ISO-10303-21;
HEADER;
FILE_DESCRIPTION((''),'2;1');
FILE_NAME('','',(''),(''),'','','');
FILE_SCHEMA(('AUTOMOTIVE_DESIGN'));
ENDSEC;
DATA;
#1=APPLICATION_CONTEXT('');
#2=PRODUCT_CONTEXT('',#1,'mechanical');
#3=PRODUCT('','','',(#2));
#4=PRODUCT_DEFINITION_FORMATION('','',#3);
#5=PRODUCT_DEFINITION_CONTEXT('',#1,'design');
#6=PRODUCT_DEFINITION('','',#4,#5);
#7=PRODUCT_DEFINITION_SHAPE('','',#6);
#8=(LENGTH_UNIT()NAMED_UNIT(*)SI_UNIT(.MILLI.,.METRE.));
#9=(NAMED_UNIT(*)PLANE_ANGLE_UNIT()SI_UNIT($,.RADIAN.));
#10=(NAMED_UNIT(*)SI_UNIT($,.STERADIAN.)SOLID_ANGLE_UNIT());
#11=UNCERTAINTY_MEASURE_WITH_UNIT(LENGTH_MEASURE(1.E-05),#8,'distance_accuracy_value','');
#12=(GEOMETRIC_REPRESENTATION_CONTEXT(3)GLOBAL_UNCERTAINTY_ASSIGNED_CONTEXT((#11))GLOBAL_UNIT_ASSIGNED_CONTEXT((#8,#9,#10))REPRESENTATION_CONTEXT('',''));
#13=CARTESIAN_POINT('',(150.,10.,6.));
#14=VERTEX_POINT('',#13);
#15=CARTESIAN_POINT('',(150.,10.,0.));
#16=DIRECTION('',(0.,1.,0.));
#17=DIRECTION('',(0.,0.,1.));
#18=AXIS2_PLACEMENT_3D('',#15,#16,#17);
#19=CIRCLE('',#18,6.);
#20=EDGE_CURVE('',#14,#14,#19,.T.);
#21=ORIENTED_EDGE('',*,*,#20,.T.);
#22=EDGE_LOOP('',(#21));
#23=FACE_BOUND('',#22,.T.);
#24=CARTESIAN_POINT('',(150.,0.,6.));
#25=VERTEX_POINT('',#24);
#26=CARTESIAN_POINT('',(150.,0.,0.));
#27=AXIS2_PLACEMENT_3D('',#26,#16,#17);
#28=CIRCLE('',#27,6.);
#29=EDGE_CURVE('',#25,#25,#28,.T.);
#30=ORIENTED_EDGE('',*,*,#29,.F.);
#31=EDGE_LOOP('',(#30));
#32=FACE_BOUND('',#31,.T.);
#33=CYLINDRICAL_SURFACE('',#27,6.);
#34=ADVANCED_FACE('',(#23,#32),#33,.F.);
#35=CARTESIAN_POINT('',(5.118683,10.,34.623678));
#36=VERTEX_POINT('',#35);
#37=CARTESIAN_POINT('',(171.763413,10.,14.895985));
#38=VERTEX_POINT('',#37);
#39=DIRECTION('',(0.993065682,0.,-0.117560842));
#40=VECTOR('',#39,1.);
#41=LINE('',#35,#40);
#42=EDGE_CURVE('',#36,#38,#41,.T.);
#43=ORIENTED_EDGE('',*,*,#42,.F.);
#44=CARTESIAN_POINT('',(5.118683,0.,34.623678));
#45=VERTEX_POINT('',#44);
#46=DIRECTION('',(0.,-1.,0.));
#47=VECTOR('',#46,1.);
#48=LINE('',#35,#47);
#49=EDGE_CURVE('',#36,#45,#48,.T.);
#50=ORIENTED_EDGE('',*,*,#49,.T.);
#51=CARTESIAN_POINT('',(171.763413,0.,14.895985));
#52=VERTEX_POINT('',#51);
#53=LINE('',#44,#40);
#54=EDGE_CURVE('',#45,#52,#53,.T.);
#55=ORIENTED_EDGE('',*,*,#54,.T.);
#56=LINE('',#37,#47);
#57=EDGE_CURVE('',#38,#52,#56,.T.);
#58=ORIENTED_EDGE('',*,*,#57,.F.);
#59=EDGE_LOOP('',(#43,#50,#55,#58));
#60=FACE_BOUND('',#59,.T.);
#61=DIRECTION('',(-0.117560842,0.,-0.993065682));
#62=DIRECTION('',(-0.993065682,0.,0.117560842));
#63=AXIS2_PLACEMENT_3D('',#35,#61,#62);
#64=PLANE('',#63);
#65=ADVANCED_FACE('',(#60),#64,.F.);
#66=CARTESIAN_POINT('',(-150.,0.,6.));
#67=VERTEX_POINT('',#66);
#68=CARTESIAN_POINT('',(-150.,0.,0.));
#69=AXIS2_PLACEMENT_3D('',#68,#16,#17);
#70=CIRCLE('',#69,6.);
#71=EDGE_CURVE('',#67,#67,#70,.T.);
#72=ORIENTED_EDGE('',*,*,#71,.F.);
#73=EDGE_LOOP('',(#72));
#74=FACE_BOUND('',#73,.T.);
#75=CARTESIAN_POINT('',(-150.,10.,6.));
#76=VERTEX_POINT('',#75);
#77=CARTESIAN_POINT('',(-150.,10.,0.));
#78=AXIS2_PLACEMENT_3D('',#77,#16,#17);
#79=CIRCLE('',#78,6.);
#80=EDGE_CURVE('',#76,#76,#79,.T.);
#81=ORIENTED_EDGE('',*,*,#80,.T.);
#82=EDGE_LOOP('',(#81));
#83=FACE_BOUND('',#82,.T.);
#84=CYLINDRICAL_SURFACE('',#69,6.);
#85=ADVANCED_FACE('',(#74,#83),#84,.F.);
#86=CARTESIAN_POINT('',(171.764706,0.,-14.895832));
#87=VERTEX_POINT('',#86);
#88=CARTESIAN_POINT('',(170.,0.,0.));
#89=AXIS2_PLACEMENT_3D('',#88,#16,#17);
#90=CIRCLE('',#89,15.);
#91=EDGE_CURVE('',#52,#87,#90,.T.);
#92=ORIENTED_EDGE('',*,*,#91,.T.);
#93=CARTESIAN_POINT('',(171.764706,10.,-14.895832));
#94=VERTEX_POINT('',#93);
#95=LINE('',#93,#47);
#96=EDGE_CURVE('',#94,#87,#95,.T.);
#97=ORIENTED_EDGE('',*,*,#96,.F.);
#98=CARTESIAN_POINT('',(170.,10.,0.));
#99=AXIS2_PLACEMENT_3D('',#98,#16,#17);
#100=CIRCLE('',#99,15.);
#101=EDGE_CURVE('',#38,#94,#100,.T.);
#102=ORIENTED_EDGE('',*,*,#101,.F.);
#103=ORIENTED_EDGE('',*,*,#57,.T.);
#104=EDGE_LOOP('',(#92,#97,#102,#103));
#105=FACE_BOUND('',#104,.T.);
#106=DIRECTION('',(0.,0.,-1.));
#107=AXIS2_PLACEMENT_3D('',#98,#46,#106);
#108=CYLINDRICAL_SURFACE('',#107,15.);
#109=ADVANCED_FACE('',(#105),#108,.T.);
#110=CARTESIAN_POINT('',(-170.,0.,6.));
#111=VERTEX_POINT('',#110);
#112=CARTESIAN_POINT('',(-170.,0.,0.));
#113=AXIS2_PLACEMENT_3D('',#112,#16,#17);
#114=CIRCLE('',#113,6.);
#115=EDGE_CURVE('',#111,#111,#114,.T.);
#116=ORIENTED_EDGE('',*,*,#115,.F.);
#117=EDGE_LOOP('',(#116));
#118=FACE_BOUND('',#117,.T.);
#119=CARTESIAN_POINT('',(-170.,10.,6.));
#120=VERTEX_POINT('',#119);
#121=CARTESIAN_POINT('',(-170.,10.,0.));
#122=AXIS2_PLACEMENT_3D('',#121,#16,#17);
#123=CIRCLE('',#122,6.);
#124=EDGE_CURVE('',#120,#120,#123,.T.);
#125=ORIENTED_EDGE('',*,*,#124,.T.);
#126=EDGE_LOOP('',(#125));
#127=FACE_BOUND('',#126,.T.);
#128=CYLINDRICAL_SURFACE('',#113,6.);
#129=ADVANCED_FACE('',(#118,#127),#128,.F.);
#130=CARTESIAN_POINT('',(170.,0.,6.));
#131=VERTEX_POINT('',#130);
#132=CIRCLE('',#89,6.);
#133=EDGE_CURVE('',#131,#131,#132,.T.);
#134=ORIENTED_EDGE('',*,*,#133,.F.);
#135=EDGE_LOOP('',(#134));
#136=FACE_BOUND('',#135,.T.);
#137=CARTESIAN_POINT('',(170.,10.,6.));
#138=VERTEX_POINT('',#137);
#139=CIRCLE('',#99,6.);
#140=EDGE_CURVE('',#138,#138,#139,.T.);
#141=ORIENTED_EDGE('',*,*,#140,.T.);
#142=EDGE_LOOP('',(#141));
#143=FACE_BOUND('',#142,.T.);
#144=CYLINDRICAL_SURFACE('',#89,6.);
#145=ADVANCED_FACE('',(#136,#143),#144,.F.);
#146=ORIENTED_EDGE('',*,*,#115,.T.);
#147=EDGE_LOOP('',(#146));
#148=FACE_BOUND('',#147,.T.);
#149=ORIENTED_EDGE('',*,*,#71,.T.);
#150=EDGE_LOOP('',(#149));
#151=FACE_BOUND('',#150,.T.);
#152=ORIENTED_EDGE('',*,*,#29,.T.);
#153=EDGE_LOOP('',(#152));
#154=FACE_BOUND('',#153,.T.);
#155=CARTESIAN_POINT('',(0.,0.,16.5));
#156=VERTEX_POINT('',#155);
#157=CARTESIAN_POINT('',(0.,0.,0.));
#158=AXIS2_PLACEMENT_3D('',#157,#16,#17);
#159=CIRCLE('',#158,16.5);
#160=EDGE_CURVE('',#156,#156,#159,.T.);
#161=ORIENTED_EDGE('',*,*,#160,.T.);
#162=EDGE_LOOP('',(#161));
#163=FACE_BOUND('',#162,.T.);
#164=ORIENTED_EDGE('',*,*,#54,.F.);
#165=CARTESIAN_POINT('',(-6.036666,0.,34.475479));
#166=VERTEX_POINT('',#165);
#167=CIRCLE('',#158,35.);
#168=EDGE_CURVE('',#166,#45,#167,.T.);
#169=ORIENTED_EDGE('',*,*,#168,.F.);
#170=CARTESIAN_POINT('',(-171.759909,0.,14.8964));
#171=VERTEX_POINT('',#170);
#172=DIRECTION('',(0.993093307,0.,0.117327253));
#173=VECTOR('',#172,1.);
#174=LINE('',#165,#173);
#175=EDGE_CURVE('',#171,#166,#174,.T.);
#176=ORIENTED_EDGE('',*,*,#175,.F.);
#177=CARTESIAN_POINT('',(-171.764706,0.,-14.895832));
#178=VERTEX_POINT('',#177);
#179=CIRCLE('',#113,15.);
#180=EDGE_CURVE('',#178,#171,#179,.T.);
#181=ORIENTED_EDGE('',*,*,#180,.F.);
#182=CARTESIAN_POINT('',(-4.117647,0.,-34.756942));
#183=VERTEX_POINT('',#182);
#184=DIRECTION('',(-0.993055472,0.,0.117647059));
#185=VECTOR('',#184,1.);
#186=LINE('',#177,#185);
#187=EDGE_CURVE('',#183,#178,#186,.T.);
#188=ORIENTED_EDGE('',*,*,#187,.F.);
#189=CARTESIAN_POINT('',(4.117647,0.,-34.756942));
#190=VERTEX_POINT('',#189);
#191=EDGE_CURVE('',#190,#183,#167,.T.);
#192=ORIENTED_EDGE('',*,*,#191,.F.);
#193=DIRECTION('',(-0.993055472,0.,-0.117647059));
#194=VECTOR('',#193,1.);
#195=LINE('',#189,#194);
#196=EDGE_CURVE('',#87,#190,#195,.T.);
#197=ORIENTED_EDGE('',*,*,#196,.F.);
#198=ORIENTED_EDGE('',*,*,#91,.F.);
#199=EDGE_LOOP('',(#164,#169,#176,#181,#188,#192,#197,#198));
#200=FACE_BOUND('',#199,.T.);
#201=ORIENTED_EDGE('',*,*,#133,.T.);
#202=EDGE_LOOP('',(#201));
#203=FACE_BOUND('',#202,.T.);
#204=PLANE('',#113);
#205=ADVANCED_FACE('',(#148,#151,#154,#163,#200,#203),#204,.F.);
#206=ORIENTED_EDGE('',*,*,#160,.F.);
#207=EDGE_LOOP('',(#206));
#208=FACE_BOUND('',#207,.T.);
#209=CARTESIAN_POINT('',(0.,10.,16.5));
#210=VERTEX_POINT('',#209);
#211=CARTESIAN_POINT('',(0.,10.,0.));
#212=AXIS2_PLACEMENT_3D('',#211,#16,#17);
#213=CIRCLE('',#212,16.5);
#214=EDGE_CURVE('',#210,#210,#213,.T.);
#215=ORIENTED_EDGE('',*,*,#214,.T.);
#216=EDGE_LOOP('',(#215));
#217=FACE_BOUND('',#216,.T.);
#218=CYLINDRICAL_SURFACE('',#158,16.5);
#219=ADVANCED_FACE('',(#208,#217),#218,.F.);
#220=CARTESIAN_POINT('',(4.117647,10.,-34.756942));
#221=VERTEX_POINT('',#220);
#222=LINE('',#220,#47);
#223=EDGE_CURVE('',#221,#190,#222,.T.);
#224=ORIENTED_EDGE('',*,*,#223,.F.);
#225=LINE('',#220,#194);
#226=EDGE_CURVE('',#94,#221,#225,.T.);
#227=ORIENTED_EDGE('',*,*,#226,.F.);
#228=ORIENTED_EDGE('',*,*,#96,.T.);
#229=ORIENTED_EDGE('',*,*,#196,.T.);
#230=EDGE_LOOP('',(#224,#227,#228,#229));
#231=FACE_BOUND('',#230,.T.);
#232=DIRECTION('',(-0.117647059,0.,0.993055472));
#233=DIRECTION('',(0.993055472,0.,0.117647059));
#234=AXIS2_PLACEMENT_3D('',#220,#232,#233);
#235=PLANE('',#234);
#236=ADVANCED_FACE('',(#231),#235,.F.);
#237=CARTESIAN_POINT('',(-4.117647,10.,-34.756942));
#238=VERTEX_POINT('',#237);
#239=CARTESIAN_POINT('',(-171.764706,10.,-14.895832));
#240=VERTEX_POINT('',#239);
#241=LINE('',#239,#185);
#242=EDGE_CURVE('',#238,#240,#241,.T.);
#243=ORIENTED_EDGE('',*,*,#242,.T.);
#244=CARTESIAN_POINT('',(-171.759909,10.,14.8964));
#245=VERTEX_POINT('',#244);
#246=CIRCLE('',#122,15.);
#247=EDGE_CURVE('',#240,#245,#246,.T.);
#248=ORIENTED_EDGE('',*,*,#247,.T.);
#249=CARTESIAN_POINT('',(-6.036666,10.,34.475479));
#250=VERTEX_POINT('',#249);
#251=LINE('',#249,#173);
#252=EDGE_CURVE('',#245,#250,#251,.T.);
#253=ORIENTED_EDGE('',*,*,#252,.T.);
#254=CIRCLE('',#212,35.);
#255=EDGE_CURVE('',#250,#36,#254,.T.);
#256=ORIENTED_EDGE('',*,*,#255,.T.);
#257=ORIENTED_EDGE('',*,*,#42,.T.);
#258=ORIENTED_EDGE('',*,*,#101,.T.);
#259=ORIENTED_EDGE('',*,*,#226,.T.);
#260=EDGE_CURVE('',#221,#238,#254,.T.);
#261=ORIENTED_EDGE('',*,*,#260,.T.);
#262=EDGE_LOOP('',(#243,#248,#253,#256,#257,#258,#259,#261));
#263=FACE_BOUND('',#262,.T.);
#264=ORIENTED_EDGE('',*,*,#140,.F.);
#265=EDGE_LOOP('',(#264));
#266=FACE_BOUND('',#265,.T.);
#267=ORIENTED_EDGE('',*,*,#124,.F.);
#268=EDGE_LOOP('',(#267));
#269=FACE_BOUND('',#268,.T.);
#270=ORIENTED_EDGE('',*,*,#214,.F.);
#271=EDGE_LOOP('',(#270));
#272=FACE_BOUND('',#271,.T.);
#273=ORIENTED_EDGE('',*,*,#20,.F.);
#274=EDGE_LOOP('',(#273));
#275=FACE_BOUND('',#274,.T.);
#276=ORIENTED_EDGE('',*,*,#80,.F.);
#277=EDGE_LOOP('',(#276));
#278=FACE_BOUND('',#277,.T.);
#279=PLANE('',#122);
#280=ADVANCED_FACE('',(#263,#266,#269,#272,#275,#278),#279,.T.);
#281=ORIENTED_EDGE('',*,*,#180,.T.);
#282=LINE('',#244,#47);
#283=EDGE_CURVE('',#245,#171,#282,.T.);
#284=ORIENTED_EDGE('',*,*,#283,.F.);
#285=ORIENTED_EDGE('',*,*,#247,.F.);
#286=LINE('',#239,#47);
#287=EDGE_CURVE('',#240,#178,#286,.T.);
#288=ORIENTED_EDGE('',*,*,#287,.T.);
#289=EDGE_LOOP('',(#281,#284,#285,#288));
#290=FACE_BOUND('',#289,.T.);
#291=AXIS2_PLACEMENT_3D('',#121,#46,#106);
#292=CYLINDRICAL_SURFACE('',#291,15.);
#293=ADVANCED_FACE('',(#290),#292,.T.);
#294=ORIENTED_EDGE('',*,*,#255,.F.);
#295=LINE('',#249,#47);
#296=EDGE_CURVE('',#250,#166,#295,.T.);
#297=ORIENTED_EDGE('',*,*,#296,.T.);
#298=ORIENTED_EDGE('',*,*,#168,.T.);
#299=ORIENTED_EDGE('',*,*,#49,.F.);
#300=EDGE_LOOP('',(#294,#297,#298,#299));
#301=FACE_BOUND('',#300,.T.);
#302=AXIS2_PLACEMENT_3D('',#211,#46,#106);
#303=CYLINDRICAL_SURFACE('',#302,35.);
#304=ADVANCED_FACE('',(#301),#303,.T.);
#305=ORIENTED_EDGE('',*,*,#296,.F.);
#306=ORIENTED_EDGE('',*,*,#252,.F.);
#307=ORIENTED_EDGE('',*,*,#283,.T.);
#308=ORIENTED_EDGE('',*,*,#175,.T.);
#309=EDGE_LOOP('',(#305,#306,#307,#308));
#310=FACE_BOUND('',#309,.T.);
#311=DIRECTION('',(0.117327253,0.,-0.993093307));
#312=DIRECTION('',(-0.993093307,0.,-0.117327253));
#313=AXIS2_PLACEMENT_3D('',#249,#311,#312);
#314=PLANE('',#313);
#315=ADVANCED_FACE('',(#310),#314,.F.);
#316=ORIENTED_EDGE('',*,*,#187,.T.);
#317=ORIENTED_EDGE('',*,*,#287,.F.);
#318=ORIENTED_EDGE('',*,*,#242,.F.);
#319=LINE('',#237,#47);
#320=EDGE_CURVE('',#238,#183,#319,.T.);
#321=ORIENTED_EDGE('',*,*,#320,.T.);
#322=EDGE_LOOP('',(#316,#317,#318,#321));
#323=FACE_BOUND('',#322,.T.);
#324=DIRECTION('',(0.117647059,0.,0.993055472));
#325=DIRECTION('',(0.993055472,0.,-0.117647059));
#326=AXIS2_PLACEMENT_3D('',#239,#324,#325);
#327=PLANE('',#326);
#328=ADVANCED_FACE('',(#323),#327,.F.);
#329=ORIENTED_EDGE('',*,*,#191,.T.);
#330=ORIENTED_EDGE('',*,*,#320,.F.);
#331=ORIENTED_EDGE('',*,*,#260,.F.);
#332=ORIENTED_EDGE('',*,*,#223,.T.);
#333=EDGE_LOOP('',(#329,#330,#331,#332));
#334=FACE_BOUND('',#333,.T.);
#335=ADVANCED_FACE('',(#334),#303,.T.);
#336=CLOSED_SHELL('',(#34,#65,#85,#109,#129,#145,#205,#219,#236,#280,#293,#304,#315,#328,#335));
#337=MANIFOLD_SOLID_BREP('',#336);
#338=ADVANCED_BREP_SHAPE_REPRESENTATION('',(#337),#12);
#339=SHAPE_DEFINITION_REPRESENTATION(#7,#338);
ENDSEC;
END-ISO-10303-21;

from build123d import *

# Parameters (mm, degrees)
BOSS_EXTRUDE2_DEPTH = 10
SKETCH3_R           = 6
CUT_EXTRUDE1_DEPTH  = 10
SKETCH4_R           = 16.5
CUT_EXTRUDE2_DEPTH  = 10


with BuildPart() as part:
    # Sketch1 → Boss-Extrude2 (new body)
    with BuildSketch(Plane(origin=(0, 0, 0), x_dir=(1, 0, 0), z_dir=(0, 1, 0))):
        with BuildLine():
            Line((-171.764705882, 14.895832073), (-4.117647059, 34.756941504))
            ThreePointArc((-4.117647059, 34.756941504), (0, 35), (4.117647059, 34.756941504))
            Line((4.117647059, 34.756941504), (171.764705882, 14.895832073))
            ThreePointArc((171.764705882, 14.895832073), (184.999999986, -0.000651143), (171.763412633, -14.895985227))
            Line((171.763412633, -14.895985227), (5.118683106, -34.623678072))
            ThreePointArc((5.118683106, -34.623678072), (-0.464934327, -34.996911808), (-6.036666108, -34.475479145))
            Line((-6.036666108, -34.475479145), (-171.759908797, -14.896399599))
            ThreePointArc((-171.759908797, -14.896399599), (-184.999999806, -0.00241527), (-171.764705882, 14.895832073))
        make_face()
    extrude(amount=BOSS_EXTRUDE2_DEPTH)

    # Sketch3 → Cut-Extrude1 (cut)
    with BuildSketch(Plane(origin=(0, 10, 0), x_dir=(1, 0, 0), z_dir=(0, 1, 0))):
        with Locations((170, 0)):
            Circle(SKETCH3_R)
        with Locations((-170, 0)):
            Circle(SKETCH3_R)
        with Locations((-150, 0)):
            Circle(SKETCH3_R)
        with Locations((150, 0)):
            Circle(SKETCH3_R)
    extrude(amount=-CUT_EXTRUDE1_DEPTH, mode=Mode.SUBTRACT)

    # Sketch4 → Cut-Extrude2 (cut)
    with BuildSketch(Plane(origin=(0, 10, 0), x_dir=(1, 0, 0), z_dir=(0, 1, 0))):
        Circle(SKETCH4_R)
    extrude(amount=-CUT_EXTRUDE2_DEPTH, mode=Mode.SUBTRACT)


solid = part.part
